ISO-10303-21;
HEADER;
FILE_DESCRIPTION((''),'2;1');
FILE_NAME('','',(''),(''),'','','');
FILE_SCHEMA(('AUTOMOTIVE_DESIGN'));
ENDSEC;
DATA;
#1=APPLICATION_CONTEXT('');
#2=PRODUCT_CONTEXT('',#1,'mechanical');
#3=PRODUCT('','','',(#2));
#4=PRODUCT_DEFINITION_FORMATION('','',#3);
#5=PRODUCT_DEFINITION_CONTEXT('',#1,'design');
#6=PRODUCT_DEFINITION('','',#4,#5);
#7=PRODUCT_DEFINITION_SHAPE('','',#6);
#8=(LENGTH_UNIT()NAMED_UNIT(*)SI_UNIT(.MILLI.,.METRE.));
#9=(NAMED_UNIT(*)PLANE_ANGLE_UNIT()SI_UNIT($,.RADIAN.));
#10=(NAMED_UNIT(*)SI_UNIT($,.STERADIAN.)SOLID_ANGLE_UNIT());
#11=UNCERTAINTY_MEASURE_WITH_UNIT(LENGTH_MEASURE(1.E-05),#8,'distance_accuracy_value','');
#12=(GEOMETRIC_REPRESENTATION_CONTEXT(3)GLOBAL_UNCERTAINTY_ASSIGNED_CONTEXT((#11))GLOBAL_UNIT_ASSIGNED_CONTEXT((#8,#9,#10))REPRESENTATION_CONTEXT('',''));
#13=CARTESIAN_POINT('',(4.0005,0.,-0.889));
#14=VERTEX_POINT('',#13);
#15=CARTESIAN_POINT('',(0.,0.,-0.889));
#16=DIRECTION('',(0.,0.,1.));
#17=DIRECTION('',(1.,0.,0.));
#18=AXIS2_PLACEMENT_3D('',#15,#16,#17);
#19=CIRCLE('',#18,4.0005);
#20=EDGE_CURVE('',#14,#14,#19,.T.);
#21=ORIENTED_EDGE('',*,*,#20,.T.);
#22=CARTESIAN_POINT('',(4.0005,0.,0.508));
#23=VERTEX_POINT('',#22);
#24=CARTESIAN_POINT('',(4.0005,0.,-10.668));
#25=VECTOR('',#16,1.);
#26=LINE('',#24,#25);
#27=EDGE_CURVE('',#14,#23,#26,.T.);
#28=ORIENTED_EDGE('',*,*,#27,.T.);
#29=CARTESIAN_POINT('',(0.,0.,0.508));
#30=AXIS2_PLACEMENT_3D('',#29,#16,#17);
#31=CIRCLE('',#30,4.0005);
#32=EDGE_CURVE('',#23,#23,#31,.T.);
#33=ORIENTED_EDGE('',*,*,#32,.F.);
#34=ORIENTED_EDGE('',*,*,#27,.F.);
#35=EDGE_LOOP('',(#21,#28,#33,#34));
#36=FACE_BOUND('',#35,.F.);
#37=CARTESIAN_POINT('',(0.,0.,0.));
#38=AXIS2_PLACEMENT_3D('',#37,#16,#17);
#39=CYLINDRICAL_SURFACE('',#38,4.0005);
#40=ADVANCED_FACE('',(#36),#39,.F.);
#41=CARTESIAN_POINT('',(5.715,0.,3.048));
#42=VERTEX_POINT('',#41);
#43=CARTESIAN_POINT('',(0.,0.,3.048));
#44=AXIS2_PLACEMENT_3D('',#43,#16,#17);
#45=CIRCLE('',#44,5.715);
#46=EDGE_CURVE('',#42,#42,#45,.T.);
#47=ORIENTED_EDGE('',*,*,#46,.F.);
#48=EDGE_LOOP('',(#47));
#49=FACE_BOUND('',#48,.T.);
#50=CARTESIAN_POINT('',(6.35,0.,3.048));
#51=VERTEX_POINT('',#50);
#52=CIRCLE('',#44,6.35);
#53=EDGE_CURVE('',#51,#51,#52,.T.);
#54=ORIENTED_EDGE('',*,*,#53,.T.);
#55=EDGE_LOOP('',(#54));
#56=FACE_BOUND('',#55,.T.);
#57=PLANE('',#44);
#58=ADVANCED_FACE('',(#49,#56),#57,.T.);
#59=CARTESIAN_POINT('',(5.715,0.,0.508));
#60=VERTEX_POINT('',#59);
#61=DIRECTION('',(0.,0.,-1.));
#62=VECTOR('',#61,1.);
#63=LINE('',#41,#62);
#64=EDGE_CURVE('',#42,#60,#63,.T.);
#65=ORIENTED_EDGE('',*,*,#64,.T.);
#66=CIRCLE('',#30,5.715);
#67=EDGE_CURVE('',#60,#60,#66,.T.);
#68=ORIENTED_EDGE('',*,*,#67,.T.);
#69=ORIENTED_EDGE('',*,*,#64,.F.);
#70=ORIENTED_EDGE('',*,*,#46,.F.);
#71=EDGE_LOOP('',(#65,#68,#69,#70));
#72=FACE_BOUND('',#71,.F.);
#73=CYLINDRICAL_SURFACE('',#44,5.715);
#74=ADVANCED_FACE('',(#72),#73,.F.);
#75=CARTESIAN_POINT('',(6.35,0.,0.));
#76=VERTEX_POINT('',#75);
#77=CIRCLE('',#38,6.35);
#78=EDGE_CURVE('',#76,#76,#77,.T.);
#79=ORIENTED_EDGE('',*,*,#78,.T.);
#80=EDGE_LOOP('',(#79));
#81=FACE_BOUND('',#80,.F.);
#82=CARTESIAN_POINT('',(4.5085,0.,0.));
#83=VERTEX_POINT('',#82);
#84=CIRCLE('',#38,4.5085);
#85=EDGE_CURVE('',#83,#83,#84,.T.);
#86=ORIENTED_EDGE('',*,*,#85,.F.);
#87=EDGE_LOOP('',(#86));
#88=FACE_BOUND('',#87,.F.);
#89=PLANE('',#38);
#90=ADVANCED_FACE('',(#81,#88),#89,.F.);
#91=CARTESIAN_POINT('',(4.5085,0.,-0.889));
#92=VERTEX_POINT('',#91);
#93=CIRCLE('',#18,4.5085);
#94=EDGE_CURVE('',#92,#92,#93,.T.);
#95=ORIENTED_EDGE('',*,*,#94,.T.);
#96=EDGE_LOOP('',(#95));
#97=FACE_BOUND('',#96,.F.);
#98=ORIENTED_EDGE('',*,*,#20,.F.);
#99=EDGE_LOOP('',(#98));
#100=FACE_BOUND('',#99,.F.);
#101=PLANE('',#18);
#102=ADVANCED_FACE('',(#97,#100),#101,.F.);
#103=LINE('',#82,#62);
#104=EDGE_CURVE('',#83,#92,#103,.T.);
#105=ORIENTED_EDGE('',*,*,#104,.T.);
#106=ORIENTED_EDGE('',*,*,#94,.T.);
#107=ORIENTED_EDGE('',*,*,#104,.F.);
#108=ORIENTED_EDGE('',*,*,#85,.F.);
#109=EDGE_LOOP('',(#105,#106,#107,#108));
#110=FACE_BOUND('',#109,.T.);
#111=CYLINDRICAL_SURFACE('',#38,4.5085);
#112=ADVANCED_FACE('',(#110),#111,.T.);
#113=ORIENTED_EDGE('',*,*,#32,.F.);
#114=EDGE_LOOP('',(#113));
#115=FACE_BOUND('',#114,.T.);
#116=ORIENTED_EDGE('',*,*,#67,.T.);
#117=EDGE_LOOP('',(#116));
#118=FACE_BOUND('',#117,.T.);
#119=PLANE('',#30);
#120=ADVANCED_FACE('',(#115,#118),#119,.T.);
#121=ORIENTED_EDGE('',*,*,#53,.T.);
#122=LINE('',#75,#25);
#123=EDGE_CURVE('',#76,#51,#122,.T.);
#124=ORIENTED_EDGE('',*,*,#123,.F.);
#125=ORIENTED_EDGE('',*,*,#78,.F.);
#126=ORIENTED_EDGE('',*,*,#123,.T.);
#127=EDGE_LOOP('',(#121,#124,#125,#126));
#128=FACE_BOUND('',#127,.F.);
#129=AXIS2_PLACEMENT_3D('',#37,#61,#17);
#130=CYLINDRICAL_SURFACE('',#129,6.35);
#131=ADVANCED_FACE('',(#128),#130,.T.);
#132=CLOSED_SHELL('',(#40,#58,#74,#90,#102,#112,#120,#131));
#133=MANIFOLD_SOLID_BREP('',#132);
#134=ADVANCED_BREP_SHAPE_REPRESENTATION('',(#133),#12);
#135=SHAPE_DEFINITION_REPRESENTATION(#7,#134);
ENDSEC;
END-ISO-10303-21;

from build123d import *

# Parameters (mm, degrees)
F0_R     = 4.5085
F1_DEPTH = 0.889
F2_R     = 6.35
F4_DEPTH = 3.048
F3_R     = 4.0005
F6_DEPTH = 10.668
F5_R     = 5.715
F7_DEPTH = 2.54


with BuildPart() as f1:
    # F0 (on Top) → F1 (new body)
    with BuildSketch(Plane.XY):
        Circle(F0_R)
    extrude(amount=-F1_DEPTH)

    # F2 (on face) → F4 (join)
    with BuildSketch(Plane.XY):
        Circle(F2_R)
    extrude(amount=F4_DEPTH)

    # F3 (on face) → F6 (cut, symmetric)
    with BuildSketch(Plane.XY):
        Circle(F3_R)
    extrude(amount=F6_DEPTH, both=True, mode=Mode.SUBTRACT)

    # F5 (on face) → F7 (cut)
    with BuildSketch(Plane.XY.offset(3.048)):
        Circle(F5_R)
    extrude(amount=-F7_DEPTH, mode=Mode.SUBTRACT)


solid = f1.part
